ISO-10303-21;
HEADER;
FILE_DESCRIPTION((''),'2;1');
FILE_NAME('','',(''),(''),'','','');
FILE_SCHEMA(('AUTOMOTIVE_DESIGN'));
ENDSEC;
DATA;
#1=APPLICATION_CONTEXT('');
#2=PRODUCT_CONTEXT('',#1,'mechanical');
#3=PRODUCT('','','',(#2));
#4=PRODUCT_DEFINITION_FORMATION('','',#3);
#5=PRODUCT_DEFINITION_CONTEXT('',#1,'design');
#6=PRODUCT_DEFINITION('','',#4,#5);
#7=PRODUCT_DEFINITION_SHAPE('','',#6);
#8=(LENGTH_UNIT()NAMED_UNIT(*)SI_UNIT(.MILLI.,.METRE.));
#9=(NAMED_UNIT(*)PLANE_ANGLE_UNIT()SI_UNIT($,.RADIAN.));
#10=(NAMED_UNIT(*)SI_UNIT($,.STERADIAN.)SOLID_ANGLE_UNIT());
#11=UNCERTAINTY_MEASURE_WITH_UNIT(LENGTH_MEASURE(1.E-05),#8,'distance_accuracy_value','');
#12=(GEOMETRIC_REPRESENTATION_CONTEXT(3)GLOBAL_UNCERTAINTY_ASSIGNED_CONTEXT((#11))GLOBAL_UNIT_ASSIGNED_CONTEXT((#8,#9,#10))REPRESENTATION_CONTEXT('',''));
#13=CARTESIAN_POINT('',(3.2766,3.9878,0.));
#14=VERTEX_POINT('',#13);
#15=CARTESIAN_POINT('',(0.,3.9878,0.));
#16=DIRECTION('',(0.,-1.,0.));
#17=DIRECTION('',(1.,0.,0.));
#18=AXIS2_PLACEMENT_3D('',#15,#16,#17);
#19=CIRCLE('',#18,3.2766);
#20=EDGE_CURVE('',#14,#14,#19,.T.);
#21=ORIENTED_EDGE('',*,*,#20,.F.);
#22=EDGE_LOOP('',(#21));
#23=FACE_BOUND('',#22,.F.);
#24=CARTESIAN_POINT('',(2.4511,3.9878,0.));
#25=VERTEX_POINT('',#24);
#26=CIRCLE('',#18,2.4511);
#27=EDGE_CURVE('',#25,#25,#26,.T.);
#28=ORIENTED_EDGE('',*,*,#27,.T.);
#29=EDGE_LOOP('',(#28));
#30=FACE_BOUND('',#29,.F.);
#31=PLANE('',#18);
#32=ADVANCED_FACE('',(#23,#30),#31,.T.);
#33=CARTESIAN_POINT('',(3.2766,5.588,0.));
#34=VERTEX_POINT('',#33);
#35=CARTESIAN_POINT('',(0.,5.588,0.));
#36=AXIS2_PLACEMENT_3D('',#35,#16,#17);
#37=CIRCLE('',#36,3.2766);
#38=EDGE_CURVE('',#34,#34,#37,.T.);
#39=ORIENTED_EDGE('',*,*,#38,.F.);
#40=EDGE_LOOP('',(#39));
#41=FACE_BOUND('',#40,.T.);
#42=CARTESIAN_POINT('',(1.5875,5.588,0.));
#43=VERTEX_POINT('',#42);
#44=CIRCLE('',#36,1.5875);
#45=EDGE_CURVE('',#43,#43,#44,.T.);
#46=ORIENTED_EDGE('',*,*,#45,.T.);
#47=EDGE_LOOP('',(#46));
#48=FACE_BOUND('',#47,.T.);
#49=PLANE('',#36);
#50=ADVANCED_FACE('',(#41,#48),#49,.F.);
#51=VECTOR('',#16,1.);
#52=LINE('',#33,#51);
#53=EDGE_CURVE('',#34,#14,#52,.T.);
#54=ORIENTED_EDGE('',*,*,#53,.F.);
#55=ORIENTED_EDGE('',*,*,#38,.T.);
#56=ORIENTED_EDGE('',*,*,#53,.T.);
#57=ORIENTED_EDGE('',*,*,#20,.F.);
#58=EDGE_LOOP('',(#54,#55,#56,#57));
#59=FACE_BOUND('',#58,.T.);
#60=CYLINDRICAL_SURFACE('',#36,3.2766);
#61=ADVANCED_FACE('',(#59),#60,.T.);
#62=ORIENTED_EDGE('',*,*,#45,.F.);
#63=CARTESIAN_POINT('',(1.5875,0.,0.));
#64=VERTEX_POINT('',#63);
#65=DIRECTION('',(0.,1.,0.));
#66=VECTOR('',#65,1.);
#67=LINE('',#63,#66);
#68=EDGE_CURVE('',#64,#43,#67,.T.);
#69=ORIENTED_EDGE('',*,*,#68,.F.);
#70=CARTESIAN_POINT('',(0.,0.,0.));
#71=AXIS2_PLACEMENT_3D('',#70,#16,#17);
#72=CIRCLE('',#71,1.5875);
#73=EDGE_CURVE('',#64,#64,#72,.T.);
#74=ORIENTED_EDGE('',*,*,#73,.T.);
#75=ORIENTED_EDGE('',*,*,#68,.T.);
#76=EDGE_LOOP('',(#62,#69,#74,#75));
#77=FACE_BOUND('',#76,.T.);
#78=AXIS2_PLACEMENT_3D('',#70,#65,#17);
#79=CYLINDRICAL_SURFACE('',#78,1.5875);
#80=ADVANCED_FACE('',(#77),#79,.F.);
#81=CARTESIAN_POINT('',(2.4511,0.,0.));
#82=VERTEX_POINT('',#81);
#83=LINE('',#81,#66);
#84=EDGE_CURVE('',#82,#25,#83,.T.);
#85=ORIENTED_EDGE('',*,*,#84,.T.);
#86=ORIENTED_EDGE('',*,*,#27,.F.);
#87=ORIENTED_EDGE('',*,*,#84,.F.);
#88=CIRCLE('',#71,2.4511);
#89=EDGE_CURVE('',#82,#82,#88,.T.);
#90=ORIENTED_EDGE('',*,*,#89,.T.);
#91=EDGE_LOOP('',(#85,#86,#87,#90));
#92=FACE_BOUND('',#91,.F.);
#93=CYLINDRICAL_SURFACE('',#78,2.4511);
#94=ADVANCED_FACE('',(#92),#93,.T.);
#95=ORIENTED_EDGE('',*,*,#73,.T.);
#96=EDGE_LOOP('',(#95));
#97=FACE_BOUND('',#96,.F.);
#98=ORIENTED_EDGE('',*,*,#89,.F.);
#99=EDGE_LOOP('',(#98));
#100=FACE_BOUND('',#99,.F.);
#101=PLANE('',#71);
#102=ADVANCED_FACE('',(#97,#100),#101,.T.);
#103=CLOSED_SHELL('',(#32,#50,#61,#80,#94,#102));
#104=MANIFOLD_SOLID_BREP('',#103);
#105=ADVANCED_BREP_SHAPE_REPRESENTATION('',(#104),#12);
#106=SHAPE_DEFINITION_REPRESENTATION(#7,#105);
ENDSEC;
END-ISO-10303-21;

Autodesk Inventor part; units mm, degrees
ref_plane "YZ Plane" through (0, 0, 0) normal (1, 0, 0) x (0, 1, 0)
ref_plane "XZ Plane" through (0, 0, 0) normal (0, 1, 0) x (-1, 0, 0)
ref_plane "XY Plane" through (0, 0, 0) normal (0, 0, 1) x (1, 0, 0)
sketch "Sketch2" plane through (0, 0, 0) normal (0, 0, 1) x (1, 0, 0)
  line L0 (0, 0) -> (1.5875, 0)
  line L1 (0, 0) -> (1.5875, 0) construction
  line L2 (1.5875, 0) -> (1.5875, 5.588)
  line L3 (1.5875, 5.588) -> (0, 5.588)
  line L4 (0, 5.588) -> (3.2766, 5.588)
  line L5 (0, 0) -> (0, 3.9878)
  line L6 (0, 0) -> (3.9878, 0) construction
  line L7 (0, 3.9878) -> (3.2766, 3.9878)
  line L8 (0, 5.588) -> (0, 3.9878)
  line L9 (3.2766, 5.588) -> (3.2766, 3.9878)
  line L10 (0, 0) -> (2.4511, 0)
  line L11 (2.4511, 0) -> (2.4511, 3.9878)
  dimension "d0" = 1.5875
  dimension "d1" = 0
  dimension "d2" = 5.588
  dimension "d3" = 3.2766
  dimension "d4" = 3.9878
  dimension "d5" = 90
  dimension "d6" = 2.4511
revolve "Revolution1" add sketch "Sketch2" angle 360 about axis through (0, 5.588, 0) along (0, -1, 0) contours L2 L7 L11 L10 | L2 L4 L9 L7
properties part number "square eyelet"
